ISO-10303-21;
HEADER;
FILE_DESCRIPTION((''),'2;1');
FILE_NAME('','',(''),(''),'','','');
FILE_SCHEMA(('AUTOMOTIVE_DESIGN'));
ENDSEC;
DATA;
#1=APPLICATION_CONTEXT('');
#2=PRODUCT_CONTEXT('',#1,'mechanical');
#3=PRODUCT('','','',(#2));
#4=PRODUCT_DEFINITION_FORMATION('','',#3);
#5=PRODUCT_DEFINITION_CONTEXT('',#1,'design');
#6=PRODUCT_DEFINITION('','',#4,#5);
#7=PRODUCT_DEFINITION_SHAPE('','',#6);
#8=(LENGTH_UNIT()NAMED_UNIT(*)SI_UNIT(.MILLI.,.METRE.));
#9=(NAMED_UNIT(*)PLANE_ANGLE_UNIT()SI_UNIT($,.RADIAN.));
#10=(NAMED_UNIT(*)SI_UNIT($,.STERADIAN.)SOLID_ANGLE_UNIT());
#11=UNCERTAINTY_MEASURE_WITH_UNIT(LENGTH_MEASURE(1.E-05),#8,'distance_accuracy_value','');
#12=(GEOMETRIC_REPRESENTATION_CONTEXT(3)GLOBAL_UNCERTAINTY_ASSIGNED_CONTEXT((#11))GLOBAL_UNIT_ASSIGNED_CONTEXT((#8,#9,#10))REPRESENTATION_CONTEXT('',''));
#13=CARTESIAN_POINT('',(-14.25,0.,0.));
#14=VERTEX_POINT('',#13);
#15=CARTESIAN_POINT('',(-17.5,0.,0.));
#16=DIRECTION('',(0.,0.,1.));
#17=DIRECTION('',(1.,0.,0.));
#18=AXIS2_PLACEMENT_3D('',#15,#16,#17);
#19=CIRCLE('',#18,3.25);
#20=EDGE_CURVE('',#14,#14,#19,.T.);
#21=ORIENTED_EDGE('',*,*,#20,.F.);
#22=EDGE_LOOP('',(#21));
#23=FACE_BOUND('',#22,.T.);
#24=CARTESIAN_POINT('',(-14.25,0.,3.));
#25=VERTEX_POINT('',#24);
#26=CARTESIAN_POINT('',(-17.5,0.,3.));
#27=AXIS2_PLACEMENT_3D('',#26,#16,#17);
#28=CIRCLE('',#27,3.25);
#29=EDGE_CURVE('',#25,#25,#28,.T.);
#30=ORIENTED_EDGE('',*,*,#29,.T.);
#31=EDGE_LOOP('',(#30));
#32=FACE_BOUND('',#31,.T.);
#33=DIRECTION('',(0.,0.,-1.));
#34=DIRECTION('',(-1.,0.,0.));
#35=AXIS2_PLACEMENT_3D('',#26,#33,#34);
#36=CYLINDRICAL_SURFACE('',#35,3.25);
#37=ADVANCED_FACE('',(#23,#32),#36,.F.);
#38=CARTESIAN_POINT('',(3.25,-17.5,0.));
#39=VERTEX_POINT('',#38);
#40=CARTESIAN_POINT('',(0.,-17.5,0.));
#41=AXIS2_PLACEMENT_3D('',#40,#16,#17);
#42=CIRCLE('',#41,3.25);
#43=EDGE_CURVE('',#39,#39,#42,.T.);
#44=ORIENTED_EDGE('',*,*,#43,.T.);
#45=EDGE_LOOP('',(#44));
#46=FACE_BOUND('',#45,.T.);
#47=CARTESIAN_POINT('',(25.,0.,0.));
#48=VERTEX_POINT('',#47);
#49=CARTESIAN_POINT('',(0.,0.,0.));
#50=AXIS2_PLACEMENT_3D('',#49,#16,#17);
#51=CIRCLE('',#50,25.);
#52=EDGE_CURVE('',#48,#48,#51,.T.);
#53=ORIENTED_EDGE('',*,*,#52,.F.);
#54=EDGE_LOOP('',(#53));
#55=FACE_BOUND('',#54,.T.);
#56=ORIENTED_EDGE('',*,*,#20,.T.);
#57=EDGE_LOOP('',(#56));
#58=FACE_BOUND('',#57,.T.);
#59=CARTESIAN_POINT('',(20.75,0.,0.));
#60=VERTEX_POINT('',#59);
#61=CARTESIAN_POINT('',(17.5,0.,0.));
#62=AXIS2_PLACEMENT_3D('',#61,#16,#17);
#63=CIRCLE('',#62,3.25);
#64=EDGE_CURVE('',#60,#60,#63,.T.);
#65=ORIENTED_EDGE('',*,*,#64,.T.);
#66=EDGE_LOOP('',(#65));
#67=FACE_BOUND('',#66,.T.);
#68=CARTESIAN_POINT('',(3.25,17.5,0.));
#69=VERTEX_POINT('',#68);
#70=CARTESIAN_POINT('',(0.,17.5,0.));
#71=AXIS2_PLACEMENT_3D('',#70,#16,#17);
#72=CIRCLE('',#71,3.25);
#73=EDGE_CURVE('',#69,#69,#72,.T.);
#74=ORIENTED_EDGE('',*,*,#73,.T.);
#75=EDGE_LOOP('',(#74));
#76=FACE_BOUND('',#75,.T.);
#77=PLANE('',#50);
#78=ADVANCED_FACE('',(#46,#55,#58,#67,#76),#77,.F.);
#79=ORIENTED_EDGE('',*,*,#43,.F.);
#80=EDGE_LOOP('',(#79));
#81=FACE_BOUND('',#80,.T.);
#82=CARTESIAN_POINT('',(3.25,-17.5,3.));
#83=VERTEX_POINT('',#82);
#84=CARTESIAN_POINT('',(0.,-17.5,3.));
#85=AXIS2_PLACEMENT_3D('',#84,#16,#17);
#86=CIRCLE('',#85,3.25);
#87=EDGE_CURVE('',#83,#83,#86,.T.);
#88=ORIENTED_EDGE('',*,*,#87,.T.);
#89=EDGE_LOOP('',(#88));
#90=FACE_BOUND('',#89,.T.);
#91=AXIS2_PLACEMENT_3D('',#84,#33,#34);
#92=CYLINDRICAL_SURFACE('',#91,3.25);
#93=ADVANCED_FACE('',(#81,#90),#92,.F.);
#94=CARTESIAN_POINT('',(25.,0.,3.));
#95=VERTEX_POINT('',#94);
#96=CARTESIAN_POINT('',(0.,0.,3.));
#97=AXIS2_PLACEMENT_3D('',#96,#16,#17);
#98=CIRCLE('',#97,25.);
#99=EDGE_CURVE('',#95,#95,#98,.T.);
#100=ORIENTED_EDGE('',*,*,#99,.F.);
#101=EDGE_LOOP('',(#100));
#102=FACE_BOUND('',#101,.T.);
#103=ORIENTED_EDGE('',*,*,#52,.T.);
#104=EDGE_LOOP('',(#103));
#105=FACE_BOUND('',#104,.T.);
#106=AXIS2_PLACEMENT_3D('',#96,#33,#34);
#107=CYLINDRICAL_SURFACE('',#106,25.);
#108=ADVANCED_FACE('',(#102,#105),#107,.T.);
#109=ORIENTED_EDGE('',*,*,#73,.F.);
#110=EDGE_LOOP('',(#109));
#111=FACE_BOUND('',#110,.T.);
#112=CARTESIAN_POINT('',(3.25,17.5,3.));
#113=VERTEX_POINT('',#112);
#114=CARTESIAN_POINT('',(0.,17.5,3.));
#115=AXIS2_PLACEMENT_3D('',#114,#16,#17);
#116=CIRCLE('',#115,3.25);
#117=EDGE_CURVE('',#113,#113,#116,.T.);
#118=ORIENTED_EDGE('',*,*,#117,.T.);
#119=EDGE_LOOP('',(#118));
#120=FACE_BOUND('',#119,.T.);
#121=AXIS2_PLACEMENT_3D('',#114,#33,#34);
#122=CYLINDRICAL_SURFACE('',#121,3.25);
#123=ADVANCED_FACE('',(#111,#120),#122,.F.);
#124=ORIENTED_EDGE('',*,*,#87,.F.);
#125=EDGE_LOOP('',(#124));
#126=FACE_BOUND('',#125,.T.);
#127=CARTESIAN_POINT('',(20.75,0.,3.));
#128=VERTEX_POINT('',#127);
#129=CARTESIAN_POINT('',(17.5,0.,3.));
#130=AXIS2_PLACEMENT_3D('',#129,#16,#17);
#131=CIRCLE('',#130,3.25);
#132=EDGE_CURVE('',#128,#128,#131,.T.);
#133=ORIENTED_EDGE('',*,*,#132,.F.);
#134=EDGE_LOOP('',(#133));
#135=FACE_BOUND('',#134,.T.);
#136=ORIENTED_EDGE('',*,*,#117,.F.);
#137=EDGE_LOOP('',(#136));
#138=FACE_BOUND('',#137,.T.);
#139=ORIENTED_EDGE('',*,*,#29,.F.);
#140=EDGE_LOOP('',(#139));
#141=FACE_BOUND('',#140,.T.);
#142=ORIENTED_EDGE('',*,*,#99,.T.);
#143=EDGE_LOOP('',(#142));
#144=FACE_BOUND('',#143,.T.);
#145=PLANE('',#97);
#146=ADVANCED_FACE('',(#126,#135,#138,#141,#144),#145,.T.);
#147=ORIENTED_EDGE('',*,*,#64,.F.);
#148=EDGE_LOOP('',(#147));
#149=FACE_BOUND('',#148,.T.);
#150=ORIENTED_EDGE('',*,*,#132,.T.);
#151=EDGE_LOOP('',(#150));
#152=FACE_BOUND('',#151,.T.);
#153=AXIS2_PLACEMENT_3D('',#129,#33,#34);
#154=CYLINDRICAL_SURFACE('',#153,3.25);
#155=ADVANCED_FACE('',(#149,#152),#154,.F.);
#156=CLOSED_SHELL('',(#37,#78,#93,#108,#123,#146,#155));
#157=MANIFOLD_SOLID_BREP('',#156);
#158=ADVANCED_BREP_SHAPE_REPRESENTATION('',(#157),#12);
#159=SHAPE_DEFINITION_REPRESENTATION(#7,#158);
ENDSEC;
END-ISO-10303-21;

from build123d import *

# Parameters (mm, degrees)
SKETCH1_R           = 25
SKETCH1_R_2         = 3.25
BOSS_EXTRUDE2_DEPTH = 3


with BuildPart() as part:
    # Sketch1 → Boss-Extrude2 (new body)
    with BuildSketch(Plane.XY):
        Circle(SKETCH1_R)
        with Locations((0, 17.5)):
            Circle(SKETCH1_R_2, mode=Mode.SUBTRACT)
        with Locations((17.5, 0)):
            Circle(SKETCH1_R_2, mode=Mode.SUBTRACT)
        with Locations((0, -17.5)):
            Circle(SKETCH1_R_2, mode=Mode.SUBTRACT)
        with Locations((-17.5, 0)):
            Circle(SKETCH1_R_2, mode=Mode.SUBTRACT)
    extrude(amount=BOSS_EXTRUDE2_DEPTH)


solid = part.part
